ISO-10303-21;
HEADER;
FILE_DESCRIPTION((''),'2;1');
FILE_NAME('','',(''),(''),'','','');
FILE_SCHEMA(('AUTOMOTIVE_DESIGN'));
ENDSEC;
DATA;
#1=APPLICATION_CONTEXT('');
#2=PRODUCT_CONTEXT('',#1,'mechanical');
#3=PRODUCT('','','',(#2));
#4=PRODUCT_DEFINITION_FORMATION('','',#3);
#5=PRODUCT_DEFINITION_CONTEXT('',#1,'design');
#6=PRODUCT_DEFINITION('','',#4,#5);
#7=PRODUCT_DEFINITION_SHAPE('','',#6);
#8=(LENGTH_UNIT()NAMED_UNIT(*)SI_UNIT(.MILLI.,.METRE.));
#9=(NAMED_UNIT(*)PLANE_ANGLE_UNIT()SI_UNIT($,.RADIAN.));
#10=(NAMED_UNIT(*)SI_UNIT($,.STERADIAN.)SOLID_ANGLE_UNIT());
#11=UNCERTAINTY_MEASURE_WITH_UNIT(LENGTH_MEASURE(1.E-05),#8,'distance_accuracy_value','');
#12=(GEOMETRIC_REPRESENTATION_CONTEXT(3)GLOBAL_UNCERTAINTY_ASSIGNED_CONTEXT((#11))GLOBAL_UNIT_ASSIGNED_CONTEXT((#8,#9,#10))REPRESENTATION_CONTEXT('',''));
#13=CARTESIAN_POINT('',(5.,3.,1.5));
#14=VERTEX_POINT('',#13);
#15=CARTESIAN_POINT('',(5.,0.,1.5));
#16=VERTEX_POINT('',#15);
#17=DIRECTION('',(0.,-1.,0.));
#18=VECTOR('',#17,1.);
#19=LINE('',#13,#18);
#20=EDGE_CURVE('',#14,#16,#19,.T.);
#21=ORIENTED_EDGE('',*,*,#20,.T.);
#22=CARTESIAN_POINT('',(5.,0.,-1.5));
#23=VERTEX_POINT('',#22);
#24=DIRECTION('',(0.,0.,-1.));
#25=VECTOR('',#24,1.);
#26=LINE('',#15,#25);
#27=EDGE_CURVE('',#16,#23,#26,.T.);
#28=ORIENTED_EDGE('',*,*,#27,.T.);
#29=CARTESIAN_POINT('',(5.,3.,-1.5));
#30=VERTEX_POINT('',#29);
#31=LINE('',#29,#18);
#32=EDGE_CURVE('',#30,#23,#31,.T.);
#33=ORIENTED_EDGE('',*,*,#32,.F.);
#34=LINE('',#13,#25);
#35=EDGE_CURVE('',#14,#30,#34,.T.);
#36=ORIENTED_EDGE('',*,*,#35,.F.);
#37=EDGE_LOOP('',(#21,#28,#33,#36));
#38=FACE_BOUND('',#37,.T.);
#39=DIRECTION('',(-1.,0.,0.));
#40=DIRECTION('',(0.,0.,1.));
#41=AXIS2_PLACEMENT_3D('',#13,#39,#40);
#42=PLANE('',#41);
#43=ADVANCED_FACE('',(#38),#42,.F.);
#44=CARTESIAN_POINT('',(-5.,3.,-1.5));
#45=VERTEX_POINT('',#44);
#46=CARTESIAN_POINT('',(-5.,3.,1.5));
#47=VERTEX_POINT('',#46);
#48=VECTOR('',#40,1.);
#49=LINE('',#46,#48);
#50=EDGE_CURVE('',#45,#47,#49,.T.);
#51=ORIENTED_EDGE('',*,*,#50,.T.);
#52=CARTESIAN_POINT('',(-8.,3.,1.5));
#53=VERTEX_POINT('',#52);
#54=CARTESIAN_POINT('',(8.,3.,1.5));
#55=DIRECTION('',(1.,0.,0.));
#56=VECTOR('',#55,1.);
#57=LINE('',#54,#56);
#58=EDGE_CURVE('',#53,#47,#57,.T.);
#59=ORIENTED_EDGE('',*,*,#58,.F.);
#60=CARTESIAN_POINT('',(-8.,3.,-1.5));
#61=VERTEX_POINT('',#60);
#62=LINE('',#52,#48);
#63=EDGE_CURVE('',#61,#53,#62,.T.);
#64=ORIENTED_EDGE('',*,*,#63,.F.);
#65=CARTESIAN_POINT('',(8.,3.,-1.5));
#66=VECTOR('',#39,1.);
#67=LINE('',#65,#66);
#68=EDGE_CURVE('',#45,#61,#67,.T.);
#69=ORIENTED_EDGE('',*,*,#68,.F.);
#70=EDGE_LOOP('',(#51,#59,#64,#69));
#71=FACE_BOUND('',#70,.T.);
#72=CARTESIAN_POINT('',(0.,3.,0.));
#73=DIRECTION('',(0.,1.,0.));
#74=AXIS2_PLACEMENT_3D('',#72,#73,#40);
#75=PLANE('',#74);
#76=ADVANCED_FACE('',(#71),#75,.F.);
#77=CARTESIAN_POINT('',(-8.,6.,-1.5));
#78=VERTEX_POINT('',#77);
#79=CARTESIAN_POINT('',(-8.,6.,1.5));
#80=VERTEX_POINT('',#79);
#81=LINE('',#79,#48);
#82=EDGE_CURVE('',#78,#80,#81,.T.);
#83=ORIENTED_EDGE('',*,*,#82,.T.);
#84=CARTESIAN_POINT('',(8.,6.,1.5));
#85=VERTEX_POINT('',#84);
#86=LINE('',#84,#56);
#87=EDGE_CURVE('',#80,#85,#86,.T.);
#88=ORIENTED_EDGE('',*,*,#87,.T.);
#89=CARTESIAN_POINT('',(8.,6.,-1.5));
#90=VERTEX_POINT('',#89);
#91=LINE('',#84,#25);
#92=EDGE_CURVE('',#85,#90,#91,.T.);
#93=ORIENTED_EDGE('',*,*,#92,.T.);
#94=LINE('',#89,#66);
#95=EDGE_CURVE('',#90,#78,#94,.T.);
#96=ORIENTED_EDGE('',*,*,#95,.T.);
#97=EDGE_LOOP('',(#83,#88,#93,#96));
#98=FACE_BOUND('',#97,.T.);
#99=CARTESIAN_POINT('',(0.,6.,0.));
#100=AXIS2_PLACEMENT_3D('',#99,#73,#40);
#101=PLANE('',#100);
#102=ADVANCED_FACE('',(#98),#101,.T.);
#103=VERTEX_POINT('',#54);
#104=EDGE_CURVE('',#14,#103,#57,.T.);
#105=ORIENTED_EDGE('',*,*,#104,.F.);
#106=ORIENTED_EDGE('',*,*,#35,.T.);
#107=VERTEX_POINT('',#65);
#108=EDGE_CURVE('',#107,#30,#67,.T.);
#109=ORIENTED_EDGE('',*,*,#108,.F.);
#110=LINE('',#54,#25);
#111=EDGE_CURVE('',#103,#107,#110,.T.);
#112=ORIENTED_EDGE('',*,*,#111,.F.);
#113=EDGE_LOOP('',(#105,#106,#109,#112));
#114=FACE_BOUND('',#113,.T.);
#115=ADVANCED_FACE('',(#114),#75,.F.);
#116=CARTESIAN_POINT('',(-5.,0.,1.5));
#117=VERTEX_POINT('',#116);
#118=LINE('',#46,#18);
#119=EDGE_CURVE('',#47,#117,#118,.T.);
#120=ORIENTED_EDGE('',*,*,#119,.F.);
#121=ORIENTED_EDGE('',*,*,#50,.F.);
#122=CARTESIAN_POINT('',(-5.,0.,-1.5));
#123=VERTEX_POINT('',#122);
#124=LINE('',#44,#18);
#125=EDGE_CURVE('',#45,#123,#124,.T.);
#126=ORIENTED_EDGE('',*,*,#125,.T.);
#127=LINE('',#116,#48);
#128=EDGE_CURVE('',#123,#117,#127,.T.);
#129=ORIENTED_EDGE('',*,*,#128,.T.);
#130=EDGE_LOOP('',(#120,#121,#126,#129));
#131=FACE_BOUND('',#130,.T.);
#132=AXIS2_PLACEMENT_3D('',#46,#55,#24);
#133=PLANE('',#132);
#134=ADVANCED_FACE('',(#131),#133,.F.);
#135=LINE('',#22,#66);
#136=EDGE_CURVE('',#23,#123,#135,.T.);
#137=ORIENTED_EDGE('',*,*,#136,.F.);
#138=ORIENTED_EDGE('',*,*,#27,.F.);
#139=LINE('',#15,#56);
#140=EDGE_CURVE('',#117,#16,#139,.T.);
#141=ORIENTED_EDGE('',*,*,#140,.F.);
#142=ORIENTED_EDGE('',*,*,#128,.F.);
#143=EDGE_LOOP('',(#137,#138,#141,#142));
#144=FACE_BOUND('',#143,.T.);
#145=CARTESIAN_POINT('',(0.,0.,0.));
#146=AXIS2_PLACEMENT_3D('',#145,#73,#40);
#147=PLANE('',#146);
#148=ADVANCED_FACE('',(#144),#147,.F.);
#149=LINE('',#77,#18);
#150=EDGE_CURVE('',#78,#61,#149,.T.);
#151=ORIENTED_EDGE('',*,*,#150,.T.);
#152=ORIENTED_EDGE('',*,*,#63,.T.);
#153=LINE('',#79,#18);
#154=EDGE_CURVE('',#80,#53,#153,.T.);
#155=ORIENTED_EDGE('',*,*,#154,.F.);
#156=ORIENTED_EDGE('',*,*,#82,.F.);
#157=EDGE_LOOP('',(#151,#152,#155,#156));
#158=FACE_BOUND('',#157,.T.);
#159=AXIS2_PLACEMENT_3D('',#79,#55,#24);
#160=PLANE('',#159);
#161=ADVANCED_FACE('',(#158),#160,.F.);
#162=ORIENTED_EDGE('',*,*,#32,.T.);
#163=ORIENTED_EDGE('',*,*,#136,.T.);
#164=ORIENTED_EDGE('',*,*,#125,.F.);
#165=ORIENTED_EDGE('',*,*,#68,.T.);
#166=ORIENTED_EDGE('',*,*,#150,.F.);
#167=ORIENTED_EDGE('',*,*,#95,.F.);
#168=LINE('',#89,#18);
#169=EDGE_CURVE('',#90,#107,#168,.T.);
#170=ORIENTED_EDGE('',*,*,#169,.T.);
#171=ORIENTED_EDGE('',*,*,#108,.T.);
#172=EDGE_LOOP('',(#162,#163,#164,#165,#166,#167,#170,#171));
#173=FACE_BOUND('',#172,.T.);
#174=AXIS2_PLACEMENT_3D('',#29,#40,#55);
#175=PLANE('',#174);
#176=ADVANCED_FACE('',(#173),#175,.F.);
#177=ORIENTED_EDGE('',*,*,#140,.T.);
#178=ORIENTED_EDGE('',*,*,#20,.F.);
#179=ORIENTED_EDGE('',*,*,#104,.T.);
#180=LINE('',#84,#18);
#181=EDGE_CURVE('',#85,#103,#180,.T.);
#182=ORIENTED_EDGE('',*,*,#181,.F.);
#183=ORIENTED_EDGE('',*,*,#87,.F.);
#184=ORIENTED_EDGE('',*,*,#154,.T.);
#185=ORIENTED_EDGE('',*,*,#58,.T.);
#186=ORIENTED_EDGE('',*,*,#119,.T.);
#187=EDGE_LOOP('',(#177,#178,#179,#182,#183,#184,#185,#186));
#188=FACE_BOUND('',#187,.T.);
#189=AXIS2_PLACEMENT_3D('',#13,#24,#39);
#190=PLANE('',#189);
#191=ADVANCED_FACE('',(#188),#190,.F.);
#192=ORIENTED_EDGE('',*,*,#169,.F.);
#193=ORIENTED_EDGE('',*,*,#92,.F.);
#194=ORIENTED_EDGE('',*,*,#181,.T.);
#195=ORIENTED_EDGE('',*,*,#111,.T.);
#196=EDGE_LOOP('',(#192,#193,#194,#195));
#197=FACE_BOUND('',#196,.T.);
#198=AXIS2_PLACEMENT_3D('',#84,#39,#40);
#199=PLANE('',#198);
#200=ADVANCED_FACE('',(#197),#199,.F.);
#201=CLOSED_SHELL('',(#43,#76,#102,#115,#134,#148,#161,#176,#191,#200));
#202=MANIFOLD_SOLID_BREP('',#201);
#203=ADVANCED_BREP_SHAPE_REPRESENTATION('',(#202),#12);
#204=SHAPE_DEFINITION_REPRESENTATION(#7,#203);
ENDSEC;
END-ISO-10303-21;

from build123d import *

# Parameters (mm, degrees)
CROQUIS1_W              = 10
CROQUIS1_H              = 3
SALIENTE_EXTRUIR1_DEPTH = 3
CROQUIS2_W              = 16
CROQUIS2_H              = 3
SALIENTE_EXTRUIR2_DEPTH = 3


with BuildPart() as part:
    # Croquis1 → Saliente-Extruir1 (new body)
    with BuildSketch(Plane(origin=(0, 0, 0), x_dir=(1, 0, 0), z_dir=(0, 1, 0))):
        Rectangle(CROQUIS1_W, CROQUIS1_H)
    extrude(amount=SALIENTE_EXTRUIR1_DEPTH)

    # Croquis2 → Saliente-Extruir2 (add)
    with BuildSketch(Plane(origin=(0, 3, 0), x_dir=(1, 0, 0), z_dir=(0, 1, 0))):
        Rectangle(CROQUIS2_W, CROQUIS2_H)
    extrude(amount=SALIENTE_EXTRUIR2_DEPTH)


solid = part.part
